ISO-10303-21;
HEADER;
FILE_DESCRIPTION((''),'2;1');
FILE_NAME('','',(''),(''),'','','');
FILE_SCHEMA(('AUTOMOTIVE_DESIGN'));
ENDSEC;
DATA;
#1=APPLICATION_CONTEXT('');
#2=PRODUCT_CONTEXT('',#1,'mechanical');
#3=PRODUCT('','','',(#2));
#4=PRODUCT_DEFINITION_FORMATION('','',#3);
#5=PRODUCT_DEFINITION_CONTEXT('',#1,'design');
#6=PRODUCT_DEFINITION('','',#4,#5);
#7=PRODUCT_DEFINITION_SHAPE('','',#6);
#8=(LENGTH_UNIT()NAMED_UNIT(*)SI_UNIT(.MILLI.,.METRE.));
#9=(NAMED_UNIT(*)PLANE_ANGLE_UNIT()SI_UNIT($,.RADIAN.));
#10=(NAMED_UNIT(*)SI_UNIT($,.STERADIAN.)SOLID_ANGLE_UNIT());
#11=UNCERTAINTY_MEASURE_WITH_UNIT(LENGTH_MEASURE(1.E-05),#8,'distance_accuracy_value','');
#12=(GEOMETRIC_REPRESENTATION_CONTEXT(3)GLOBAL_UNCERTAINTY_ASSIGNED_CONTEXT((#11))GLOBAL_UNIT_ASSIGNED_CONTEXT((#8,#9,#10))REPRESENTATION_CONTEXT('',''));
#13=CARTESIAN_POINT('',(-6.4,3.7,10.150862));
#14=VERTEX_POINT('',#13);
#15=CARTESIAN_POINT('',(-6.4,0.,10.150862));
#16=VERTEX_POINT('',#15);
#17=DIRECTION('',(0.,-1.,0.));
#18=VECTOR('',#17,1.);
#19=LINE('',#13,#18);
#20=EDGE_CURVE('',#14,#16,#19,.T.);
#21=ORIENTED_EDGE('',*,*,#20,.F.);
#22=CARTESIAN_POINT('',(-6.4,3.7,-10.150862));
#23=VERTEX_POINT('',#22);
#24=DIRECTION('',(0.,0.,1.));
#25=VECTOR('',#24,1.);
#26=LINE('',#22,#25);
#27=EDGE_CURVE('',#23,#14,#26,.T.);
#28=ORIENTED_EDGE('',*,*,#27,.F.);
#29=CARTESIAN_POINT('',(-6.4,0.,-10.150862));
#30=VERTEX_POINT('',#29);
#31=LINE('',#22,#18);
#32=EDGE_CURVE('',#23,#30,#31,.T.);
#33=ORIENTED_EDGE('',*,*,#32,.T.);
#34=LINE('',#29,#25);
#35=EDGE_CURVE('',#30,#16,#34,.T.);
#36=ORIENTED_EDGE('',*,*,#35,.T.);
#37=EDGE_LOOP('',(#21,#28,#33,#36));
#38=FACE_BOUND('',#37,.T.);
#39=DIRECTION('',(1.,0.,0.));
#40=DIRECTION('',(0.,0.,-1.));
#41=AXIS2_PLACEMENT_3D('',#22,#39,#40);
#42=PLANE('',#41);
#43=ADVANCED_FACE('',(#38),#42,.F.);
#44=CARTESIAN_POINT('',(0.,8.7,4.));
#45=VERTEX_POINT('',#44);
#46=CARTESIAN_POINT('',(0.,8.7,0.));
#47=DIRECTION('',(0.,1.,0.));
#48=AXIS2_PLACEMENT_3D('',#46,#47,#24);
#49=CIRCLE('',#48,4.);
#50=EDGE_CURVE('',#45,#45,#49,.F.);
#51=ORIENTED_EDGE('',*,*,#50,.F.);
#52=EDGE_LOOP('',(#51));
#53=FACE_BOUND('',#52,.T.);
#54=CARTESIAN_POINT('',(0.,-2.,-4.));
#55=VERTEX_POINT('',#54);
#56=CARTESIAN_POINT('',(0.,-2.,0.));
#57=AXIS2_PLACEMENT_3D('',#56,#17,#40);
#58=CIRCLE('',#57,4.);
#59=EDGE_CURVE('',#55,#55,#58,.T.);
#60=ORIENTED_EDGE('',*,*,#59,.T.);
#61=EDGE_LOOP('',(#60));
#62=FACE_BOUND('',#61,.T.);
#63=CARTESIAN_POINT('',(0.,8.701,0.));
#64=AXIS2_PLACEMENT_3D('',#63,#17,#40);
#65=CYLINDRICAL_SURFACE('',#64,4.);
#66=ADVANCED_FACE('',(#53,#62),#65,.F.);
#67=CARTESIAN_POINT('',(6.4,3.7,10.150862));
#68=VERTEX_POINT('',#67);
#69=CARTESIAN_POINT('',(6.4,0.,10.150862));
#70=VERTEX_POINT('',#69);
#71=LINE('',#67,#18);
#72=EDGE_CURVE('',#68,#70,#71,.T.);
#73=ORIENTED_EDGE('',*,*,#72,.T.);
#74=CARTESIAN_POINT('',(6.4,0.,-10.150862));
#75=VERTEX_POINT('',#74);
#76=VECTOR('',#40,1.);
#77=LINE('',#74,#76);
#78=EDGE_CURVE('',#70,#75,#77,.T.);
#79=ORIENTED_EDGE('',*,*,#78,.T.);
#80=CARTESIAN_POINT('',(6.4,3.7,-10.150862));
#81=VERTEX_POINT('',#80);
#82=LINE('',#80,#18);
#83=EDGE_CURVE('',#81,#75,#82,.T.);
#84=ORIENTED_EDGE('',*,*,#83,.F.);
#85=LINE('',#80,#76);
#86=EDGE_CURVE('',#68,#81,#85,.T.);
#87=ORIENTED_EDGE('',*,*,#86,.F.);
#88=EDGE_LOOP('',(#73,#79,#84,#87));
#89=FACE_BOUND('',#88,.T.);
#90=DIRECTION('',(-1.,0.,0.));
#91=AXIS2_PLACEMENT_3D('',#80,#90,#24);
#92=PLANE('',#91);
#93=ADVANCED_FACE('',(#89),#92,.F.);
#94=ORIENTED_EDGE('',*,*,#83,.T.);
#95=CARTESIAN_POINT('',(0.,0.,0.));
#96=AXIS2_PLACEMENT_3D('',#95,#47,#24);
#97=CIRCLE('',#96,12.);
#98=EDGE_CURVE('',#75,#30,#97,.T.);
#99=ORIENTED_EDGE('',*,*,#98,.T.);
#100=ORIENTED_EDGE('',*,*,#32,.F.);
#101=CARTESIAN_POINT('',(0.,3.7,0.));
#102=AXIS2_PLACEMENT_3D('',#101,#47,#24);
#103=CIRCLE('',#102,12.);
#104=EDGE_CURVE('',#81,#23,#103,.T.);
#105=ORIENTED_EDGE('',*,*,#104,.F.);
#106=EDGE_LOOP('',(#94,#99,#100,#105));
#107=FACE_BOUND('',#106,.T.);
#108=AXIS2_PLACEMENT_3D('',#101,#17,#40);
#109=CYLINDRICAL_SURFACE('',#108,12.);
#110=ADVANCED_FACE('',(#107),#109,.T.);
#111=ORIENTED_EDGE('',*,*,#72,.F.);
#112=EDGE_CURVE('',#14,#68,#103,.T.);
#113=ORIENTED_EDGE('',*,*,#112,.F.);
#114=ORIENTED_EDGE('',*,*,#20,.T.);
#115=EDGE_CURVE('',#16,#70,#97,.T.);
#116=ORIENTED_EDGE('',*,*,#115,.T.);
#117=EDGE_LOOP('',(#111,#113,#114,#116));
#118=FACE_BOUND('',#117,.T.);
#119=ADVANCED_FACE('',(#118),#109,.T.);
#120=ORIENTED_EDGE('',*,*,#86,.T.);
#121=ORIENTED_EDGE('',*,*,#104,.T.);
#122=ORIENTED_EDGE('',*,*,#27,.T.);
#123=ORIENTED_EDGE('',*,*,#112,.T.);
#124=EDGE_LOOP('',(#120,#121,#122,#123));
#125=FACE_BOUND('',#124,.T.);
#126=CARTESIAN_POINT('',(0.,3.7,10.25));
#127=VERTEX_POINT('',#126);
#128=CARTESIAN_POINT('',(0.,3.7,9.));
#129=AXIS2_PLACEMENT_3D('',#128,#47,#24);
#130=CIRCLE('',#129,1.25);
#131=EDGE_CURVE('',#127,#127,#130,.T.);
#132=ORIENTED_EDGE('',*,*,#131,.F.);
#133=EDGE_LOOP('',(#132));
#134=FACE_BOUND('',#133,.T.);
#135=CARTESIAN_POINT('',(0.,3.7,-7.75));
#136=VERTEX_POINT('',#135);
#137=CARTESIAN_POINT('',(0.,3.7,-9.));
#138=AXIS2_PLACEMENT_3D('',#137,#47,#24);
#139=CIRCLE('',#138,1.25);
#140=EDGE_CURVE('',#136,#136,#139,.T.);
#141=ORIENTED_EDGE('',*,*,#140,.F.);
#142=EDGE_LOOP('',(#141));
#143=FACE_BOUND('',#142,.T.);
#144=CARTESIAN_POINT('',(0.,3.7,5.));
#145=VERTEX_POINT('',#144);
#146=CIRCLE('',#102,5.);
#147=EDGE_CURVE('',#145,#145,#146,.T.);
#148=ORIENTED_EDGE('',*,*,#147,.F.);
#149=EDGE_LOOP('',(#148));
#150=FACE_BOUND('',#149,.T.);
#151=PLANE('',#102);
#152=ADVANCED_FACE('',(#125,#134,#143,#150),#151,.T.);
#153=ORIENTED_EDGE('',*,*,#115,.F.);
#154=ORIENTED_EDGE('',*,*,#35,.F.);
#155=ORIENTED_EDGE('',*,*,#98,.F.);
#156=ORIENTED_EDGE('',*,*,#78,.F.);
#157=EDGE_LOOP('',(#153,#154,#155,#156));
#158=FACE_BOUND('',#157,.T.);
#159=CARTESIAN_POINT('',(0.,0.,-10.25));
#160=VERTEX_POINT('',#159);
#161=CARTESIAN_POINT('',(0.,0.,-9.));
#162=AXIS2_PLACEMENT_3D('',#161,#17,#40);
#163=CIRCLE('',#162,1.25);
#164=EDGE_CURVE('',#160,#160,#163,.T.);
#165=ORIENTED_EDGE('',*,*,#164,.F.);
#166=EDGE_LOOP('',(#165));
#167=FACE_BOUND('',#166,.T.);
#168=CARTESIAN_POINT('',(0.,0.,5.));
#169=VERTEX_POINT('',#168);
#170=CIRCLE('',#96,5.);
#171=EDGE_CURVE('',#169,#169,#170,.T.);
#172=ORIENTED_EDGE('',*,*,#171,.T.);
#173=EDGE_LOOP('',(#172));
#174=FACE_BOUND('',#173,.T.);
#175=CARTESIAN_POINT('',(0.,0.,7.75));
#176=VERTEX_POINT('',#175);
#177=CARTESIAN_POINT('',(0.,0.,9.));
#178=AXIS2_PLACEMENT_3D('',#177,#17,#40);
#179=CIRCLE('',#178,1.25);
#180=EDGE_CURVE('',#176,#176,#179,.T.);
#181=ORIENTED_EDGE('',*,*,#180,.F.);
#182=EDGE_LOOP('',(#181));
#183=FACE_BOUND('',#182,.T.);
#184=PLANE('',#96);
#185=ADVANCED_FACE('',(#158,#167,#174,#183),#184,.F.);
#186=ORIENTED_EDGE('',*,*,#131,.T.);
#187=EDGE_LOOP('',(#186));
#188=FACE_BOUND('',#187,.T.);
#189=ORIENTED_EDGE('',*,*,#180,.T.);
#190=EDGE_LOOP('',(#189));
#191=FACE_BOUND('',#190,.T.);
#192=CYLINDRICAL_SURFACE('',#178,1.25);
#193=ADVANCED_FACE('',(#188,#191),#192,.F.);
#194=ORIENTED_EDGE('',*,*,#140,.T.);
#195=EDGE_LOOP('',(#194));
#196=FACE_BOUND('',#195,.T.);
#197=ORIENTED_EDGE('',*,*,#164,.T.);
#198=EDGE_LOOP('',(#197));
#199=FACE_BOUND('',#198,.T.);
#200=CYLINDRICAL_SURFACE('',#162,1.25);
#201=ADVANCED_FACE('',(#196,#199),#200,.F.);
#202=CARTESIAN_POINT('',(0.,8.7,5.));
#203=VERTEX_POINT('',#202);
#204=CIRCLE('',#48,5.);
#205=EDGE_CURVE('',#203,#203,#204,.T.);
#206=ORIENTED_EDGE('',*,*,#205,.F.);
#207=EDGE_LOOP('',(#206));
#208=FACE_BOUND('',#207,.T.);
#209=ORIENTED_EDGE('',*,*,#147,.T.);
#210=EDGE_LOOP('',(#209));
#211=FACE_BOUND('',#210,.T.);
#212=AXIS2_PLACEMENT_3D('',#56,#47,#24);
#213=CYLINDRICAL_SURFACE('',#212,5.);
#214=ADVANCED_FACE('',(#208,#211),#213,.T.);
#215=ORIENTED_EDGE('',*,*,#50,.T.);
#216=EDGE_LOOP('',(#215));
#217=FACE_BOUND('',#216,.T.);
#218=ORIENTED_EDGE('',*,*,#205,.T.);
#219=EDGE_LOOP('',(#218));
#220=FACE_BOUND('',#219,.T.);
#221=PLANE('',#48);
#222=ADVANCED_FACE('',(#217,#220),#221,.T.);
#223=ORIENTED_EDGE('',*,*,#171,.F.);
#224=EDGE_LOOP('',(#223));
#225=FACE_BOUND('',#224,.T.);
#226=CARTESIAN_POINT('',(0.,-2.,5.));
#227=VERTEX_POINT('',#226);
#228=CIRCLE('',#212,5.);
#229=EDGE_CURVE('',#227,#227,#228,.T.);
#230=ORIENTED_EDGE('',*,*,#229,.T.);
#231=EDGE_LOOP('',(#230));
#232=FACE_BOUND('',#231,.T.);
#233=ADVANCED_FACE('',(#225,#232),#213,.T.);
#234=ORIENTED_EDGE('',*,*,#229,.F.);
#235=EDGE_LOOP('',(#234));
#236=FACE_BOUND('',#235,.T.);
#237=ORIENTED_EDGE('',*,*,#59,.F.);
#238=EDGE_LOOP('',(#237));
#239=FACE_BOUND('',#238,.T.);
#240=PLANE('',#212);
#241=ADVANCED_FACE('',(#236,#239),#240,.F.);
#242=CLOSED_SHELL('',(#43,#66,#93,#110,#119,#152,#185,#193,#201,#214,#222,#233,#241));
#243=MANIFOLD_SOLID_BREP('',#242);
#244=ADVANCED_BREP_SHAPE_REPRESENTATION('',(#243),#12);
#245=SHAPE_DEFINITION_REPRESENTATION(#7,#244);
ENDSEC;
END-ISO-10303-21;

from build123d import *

# Parameters (mm, degrees)
BOSS_EXTRUDE1_DEPTH      = 3.7
SKETCH2_R                = 5
BOSS_EXTRUDE2_DEPTH      = 5
BOSS_EXTRUDE2_DEPTH_BACK = 5.7
HOLE_WIZARD_M3_1_D       = 2.5
HOLE_WIZARD_M3_1_DEPTH   = 3.7
CUT_EXTRUDE_1_REACH      = 12.7
SKETCH_3_R               = 4


with BuildPart() as part:
    # Sketch1 → Boss-Extrude1 (new body)
    with BuildSketch(Plane(origin=(0, 0, 0), x_dir=(1, 0, 0), z_dir=(0, 1, 0))):
        with BuildLine():
            Line((-6.4, 10.150862032), (-6.4, -10.150862032))
            ThreePointArc((-6.4, -10.150862032), (0, -12), (6.4, -10.150862032))
            Line((6.4, -10.150862032), (6.4, 10.150862032))
            ThreePointArc((6.4, 10.150862032), (0, 12), (-6.4, 10.150862032))
        make_face()
    extrude(amount=BOSS_EXTRUDE1_DEPTH)

    # Sketch2 → Boss-Extrude2 (add, two sides)
    with BuildSketch(Plane(origin=(0, 3.7, 0), x_dir=(1, 0, 0), z_dir=(0, 1, 0))) as boss_extrude2_sk:
        Circle(SKETCH2_R)
    extrude(amount=BOSS_EXTRUDE2_DEPTH)
    extrude(boss_extrude2_sk.sketch, amount=-BOSS_EXTRUDE2_DEPTH_BACK)

    # M3 螺纹孔1
    with Locations(Plane(origin=(0, 0, 0), x_dir=(-1, 0, 0), z_dir=(0, -1, 0))):
        with Locations((0, -9), (0, 9)):
            Hole(HOLE_WIZARD_M3_1_D / 2, depth=HOLE_WIZARD_M3_1_DEPTH)

    # 草图3 → 切除-拉伸1 (cut, up to next)
    with BuildSketch(Plane.XZ.offset(2), mode=Mode.PRIVATE) as cut_extrude_1_sk1:
        Circle(SKETCH_3_R)
    cut_extrude_1_tool1 = extrude(cut_extrude_1_sk1.sketch, amount=-CUT_EXTRUDE_1_REACH, mode=Mode.PRIVATE) & part.part
    add(cut_extrude_1_tool1.solids().sort_by_distance((0, -2, 0))[0], mode=Mode.SUBTRACT)


solid = part.part
